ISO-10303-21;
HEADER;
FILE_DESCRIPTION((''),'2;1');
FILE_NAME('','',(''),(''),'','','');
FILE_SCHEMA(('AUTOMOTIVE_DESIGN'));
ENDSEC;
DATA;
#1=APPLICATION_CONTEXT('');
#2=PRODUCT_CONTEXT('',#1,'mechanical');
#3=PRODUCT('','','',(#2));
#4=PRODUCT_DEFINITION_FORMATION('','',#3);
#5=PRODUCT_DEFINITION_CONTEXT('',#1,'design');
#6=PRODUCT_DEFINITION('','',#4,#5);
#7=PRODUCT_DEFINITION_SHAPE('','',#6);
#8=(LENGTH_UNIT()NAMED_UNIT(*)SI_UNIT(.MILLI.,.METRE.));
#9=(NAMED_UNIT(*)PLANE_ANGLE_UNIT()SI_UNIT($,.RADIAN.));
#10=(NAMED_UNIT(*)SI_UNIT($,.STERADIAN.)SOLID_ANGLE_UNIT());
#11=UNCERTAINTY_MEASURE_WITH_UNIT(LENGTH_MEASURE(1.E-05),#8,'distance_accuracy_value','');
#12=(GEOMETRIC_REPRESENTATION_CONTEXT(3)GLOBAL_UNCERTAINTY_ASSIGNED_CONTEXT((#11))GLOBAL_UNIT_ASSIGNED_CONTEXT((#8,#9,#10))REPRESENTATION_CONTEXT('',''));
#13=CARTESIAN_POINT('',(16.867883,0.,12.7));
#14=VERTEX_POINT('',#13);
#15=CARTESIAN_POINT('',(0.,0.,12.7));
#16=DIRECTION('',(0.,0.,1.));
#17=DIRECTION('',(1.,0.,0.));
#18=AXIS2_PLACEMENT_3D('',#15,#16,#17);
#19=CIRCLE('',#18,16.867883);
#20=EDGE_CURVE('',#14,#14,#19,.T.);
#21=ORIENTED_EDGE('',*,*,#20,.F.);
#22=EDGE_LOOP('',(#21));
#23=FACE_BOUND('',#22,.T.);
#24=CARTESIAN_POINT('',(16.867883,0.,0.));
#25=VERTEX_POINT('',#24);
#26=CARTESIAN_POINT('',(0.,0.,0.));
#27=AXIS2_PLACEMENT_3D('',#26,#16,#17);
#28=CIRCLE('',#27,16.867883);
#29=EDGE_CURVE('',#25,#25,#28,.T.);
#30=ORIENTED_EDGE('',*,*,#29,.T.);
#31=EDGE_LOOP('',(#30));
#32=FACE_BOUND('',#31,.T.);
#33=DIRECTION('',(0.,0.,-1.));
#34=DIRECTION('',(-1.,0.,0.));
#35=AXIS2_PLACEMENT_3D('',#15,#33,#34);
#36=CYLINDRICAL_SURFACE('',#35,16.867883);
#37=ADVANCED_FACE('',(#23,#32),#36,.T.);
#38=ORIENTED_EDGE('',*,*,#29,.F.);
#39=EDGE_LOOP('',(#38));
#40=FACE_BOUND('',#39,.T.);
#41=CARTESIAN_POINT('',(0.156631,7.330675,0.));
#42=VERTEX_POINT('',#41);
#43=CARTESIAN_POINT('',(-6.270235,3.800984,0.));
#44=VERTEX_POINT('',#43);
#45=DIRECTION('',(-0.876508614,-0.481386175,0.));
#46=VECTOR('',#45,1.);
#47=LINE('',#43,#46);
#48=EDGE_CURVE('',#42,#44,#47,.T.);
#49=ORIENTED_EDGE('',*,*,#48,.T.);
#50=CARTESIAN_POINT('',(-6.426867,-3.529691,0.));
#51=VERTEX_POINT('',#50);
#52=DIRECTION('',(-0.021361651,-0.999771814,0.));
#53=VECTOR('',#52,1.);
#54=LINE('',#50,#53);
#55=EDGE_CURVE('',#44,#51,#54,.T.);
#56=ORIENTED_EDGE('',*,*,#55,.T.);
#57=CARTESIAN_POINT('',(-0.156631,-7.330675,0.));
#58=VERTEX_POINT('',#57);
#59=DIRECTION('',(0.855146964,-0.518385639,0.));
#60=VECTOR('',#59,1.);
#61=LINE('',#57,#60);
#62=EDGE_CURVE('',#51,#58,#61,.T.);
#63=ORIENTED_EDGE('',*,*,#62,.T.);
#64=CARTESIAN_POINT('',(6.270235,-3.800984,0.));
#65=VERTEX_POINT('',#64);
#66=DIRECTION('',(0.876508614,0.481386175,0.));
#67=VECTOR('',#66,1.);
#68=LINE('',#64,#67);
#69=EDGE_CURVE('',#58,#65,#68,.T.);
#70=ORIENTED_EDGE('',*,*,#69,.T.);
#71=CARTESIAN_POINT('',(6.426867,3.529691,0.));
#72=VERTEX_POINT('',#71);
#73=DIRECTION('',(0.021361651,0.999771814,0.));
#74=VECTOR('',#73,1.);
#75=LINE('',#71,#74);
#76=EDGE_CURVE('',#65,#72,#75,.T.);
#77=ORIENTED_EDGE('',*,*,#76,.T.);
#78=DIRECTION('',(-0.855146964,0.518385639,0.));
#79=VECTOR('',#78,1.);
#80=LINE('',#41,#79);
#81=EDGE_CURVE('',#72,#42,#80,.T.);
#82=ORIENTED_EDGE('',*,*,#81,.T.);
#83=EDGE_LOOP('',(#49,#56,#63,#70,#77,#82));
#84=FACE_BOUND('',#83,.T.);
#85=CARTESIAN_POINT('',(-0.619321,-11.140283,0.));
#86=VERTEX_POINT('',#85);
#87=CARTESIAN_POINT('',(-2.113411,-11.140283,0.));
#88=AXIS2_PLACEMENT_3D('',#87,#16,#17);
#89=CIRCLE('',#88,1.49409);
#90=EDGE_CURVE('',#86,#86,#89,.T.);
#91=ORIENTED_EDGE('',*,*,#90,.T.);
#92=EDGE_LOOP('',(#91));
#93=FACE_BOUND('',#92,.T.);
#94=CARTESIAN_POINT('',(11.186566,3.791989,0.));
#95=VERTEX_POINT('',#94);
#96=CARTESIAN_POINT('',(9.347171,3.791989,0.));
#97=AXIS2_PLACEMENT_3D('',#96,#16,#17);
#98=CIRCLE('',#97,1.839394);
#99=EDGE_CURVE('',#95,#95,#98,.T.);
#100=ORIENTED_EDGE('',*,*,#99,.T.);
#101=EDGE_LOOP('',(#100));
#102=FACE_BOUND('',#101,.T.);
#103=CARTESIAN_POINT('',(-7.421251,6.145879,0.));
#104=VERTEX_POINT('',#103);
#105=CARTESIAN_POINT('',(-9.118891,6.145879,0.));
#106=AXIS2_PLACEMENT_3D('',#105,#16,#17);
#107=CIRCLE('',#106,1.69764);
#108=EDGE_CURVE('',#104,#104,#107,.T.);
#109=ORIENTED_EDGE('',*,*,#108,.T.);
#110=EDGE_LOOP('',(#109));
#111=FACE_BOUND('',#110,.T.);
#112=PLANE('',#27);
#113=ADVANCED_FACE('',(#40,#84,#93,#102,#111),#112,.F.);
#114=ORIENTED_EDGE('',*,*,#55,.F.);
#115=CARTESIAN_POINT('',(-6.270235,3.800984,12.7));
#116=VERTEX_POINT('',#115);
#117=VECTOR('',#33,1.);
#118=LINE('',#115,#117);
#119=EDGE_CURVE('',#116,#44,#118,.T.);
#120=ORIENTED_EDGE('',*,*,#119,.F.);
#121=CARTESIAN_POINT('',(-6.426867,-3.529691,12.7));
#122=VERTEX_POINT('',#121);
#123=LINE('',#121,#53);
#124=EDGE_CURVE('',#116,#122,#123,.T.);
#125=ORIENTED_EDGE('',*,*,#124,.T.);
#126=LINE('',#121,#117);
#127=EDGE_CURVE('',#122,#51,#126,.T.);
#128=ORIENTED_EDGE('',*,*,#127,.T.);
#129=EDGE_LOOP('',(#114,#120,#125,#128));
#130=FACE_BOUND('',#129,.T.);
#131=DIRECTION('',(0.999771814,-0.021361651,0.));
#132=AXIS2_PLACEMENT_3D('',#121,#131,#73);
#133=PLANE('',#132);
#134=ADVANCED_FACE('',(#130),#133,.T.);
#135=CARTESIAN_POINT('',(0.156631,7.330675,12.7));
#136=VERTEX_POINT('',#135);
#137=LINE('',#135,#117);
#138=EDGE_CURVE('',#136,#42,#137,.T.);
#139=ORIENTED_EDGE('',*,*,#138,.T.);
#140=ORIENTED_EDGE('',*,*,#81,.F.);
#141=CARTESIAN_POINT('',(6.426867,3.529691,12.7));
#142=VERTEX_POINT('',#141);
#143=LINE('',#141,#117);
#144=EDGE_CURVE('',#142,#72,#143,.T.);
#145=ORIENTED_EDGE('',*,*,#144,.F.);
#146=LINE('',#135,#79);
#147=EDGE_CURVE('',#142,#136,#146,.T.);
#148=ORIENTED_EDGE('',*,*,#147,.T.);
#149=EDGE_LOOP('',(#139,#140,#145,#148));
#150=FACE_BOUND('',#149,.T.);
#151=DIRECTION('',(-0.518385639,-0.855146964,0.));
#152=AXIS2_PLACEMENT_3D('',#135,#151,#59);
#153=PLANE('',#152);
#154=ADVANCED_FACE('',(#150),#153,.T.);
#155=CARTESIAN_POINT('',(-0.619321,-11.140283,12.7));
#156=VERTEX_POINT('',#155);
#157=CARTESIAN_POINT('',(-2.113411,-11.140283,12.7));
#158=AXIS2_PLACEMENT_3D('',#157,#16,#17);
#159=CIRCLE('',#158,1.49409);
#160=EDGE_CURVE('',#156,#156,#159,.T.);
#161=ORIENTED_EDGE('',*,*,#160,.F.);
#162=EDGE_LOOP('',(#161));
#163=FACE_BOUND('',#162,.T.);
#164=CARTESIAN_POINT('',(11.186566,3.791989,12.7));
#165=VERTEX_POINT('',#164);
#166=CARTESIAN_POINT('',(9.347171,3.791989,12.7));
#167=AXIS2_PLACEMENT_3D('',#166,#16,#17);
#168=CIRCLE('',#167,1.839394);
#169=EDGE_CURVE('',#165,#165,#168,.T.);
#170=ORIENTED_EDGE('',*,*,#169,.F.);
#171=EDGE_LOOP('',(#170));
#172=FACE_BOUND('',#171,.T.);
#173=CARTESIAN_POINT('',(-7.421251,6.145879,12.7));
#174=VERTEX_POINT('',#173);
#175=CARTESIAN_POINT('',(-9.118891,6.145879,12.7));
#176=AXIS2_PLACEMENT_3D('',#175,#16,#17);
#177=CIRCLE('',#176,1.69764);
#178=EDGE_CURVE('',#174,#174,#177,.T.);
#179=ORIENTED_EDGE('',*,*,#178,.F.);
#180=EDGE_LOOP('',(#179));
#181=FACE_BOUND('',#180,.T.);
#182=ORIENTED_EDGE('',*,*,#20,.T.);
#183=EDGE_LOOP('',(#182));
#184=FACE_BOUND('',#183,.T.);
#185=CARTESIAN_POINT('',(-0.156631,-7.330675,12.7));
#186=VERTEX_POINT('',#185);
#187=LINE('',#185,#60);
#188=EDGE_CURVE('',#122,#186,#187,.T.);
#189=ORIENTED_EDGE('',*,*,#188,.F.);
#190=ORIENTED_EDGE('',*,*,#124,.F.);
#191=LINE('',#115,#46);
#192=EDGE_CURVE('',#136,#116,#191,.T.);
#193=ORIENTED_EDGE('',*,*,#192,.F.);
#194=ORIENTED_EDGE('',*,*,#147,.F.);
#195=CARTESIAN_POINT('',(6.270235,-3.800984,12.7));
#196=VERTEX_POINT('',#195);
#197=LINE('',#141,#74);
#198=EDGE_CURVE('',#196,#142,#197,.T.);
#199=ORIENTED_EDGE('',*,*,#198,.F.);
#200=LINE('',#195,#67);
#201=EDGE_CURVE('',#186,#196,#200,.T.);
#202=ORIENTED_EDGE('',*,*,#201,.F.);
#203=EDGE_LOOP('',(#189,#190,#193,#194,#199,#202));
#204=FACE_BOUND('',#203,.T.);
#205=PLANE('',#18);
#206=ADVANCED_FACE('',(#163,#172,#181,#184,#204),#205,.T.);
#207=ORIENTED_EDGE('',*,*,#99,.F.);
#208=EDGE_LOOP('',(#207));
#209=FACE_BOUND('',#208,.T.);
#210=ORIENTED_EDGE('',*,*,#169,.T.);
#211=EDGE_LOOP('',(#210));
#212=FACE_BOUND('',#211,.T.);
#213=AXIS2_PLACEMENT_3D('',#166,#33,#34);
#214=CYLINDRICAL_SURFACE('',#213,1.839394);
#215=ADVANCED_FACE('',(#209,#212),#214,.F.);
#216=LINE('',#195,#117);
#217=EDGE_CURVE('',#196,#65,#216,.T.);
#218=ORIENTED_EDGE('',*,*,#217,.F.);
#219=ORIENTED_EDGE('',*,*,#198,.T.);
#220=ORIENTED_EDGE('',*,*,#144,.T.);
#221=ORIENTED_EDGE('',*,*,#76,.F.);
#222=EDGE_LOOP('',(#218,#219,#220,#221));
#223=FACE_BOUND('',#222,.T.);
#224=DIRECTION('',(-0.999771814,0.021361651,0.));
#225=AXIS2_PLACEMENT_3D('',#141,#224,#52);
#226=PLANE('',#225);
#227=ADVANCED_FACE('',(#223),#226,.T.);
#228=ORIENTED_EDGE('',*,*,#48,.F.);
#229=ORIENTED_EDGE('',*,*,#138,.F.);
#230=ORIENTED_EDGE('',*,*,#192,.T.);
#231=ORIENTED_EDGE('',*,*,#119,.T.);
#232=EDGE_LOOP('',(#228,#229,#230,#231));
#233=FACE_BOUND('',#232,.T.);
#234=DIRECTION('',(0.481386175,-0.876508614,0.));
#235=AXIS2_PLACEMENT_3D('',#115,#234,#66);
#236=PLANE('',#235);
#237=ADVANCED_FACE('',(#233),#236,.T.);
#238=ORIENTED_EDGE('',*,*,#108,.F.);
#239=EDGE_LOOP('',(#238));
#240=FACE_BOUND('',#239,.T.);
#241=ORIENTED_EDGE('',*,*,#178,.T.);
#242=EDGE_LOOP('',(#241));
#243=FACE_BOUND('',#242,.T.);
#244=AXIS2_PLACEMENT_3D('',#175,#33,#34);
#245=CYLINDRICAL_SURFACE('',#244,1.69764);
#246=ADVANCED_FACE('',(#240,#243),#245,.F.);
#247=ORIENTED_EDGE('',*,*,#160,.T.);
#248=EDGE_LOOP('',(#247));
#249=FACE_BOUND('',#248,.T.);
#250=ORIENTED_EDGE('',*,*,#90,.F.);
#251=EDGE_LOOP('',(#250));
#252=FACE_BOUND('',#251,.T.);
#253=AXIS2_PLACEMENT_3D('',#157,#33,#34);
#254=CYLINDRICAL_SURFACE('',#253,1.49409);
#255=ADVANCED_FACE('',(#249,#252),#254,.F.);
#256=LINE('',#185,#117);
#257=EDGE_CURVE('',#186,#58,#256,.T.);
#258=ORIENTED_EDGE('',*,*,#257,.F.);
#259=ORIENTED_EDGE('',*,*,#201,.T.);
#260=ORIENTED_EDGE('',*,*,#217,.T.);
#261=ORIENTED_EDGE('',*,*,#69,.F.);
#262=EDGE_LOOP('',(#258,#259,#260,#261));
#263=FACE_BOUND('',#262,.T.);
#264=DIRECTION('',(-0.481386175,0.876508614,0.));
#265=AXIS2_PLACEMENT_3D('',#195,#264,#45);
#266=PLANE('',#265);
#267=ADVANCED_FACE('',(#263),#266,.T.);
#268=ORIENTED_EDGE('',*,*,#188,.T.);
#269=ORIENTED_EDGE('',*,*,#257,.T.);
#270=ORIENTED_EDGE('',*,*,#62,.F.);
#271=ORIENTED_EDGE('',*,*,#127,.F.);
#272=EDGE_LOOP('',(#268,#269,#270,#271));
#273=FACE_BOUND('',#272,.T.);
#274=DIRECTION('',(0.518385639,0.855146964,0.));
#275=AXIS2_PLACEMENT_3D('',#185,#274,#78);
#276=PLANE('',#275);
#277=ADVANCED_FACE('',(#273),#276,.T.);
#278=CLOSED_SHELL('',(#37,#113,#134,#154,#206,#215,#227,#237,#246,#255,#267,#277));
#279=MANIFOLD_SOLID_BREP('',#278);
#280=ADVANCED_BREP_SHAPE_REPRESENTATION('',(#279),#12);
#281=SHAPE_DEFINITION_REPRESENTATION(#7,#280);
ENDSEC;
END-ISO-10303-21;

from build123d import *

# Parameters (mm, degrees)
SKETCH2_R           = 16.86788292
SKETCH2_R_2         = 1.697640298
SKETCH2_R_3         = 1.839394333
SKETCH2_R_4         = 1.494089935
BOSS_EXTRUDE1_DEPTH = 12.7


with BuildPart() as part:
    # Sketch2 → Boss-Extrude1 (new body)
    with BuildSketch(Plane.XY):
        Circle(SKETCH2_R)
        with Locations((-9.118891252, 6.145879466)):
            Circle(SKETCH2_R_2, mode=Mode.SUBTRACT)
        with Locations((9.347171253, 3.791989153)):
            Circle(SKETCH2_R_3, mode=Mode.SUBTRACT)
        with Locations((-2.113411396, -11.140283228)):
            Circle(SKETCH2_R_4, mode=Mode.SUBTRACT)
        Polygon((-6.270235486, 3.800984121), (0.156631065, 7.330675279), (6.426866551, 3.529691158), (6.270235486, -3.800984121), (-0.156631065, -7.330675279), (-6.426866551, -3.529691158), align=None, mode=Mode.SUBTRACT)
    extrude(amount=BOSS_EXTRUDE1_DEPTH)


solid = part.part
